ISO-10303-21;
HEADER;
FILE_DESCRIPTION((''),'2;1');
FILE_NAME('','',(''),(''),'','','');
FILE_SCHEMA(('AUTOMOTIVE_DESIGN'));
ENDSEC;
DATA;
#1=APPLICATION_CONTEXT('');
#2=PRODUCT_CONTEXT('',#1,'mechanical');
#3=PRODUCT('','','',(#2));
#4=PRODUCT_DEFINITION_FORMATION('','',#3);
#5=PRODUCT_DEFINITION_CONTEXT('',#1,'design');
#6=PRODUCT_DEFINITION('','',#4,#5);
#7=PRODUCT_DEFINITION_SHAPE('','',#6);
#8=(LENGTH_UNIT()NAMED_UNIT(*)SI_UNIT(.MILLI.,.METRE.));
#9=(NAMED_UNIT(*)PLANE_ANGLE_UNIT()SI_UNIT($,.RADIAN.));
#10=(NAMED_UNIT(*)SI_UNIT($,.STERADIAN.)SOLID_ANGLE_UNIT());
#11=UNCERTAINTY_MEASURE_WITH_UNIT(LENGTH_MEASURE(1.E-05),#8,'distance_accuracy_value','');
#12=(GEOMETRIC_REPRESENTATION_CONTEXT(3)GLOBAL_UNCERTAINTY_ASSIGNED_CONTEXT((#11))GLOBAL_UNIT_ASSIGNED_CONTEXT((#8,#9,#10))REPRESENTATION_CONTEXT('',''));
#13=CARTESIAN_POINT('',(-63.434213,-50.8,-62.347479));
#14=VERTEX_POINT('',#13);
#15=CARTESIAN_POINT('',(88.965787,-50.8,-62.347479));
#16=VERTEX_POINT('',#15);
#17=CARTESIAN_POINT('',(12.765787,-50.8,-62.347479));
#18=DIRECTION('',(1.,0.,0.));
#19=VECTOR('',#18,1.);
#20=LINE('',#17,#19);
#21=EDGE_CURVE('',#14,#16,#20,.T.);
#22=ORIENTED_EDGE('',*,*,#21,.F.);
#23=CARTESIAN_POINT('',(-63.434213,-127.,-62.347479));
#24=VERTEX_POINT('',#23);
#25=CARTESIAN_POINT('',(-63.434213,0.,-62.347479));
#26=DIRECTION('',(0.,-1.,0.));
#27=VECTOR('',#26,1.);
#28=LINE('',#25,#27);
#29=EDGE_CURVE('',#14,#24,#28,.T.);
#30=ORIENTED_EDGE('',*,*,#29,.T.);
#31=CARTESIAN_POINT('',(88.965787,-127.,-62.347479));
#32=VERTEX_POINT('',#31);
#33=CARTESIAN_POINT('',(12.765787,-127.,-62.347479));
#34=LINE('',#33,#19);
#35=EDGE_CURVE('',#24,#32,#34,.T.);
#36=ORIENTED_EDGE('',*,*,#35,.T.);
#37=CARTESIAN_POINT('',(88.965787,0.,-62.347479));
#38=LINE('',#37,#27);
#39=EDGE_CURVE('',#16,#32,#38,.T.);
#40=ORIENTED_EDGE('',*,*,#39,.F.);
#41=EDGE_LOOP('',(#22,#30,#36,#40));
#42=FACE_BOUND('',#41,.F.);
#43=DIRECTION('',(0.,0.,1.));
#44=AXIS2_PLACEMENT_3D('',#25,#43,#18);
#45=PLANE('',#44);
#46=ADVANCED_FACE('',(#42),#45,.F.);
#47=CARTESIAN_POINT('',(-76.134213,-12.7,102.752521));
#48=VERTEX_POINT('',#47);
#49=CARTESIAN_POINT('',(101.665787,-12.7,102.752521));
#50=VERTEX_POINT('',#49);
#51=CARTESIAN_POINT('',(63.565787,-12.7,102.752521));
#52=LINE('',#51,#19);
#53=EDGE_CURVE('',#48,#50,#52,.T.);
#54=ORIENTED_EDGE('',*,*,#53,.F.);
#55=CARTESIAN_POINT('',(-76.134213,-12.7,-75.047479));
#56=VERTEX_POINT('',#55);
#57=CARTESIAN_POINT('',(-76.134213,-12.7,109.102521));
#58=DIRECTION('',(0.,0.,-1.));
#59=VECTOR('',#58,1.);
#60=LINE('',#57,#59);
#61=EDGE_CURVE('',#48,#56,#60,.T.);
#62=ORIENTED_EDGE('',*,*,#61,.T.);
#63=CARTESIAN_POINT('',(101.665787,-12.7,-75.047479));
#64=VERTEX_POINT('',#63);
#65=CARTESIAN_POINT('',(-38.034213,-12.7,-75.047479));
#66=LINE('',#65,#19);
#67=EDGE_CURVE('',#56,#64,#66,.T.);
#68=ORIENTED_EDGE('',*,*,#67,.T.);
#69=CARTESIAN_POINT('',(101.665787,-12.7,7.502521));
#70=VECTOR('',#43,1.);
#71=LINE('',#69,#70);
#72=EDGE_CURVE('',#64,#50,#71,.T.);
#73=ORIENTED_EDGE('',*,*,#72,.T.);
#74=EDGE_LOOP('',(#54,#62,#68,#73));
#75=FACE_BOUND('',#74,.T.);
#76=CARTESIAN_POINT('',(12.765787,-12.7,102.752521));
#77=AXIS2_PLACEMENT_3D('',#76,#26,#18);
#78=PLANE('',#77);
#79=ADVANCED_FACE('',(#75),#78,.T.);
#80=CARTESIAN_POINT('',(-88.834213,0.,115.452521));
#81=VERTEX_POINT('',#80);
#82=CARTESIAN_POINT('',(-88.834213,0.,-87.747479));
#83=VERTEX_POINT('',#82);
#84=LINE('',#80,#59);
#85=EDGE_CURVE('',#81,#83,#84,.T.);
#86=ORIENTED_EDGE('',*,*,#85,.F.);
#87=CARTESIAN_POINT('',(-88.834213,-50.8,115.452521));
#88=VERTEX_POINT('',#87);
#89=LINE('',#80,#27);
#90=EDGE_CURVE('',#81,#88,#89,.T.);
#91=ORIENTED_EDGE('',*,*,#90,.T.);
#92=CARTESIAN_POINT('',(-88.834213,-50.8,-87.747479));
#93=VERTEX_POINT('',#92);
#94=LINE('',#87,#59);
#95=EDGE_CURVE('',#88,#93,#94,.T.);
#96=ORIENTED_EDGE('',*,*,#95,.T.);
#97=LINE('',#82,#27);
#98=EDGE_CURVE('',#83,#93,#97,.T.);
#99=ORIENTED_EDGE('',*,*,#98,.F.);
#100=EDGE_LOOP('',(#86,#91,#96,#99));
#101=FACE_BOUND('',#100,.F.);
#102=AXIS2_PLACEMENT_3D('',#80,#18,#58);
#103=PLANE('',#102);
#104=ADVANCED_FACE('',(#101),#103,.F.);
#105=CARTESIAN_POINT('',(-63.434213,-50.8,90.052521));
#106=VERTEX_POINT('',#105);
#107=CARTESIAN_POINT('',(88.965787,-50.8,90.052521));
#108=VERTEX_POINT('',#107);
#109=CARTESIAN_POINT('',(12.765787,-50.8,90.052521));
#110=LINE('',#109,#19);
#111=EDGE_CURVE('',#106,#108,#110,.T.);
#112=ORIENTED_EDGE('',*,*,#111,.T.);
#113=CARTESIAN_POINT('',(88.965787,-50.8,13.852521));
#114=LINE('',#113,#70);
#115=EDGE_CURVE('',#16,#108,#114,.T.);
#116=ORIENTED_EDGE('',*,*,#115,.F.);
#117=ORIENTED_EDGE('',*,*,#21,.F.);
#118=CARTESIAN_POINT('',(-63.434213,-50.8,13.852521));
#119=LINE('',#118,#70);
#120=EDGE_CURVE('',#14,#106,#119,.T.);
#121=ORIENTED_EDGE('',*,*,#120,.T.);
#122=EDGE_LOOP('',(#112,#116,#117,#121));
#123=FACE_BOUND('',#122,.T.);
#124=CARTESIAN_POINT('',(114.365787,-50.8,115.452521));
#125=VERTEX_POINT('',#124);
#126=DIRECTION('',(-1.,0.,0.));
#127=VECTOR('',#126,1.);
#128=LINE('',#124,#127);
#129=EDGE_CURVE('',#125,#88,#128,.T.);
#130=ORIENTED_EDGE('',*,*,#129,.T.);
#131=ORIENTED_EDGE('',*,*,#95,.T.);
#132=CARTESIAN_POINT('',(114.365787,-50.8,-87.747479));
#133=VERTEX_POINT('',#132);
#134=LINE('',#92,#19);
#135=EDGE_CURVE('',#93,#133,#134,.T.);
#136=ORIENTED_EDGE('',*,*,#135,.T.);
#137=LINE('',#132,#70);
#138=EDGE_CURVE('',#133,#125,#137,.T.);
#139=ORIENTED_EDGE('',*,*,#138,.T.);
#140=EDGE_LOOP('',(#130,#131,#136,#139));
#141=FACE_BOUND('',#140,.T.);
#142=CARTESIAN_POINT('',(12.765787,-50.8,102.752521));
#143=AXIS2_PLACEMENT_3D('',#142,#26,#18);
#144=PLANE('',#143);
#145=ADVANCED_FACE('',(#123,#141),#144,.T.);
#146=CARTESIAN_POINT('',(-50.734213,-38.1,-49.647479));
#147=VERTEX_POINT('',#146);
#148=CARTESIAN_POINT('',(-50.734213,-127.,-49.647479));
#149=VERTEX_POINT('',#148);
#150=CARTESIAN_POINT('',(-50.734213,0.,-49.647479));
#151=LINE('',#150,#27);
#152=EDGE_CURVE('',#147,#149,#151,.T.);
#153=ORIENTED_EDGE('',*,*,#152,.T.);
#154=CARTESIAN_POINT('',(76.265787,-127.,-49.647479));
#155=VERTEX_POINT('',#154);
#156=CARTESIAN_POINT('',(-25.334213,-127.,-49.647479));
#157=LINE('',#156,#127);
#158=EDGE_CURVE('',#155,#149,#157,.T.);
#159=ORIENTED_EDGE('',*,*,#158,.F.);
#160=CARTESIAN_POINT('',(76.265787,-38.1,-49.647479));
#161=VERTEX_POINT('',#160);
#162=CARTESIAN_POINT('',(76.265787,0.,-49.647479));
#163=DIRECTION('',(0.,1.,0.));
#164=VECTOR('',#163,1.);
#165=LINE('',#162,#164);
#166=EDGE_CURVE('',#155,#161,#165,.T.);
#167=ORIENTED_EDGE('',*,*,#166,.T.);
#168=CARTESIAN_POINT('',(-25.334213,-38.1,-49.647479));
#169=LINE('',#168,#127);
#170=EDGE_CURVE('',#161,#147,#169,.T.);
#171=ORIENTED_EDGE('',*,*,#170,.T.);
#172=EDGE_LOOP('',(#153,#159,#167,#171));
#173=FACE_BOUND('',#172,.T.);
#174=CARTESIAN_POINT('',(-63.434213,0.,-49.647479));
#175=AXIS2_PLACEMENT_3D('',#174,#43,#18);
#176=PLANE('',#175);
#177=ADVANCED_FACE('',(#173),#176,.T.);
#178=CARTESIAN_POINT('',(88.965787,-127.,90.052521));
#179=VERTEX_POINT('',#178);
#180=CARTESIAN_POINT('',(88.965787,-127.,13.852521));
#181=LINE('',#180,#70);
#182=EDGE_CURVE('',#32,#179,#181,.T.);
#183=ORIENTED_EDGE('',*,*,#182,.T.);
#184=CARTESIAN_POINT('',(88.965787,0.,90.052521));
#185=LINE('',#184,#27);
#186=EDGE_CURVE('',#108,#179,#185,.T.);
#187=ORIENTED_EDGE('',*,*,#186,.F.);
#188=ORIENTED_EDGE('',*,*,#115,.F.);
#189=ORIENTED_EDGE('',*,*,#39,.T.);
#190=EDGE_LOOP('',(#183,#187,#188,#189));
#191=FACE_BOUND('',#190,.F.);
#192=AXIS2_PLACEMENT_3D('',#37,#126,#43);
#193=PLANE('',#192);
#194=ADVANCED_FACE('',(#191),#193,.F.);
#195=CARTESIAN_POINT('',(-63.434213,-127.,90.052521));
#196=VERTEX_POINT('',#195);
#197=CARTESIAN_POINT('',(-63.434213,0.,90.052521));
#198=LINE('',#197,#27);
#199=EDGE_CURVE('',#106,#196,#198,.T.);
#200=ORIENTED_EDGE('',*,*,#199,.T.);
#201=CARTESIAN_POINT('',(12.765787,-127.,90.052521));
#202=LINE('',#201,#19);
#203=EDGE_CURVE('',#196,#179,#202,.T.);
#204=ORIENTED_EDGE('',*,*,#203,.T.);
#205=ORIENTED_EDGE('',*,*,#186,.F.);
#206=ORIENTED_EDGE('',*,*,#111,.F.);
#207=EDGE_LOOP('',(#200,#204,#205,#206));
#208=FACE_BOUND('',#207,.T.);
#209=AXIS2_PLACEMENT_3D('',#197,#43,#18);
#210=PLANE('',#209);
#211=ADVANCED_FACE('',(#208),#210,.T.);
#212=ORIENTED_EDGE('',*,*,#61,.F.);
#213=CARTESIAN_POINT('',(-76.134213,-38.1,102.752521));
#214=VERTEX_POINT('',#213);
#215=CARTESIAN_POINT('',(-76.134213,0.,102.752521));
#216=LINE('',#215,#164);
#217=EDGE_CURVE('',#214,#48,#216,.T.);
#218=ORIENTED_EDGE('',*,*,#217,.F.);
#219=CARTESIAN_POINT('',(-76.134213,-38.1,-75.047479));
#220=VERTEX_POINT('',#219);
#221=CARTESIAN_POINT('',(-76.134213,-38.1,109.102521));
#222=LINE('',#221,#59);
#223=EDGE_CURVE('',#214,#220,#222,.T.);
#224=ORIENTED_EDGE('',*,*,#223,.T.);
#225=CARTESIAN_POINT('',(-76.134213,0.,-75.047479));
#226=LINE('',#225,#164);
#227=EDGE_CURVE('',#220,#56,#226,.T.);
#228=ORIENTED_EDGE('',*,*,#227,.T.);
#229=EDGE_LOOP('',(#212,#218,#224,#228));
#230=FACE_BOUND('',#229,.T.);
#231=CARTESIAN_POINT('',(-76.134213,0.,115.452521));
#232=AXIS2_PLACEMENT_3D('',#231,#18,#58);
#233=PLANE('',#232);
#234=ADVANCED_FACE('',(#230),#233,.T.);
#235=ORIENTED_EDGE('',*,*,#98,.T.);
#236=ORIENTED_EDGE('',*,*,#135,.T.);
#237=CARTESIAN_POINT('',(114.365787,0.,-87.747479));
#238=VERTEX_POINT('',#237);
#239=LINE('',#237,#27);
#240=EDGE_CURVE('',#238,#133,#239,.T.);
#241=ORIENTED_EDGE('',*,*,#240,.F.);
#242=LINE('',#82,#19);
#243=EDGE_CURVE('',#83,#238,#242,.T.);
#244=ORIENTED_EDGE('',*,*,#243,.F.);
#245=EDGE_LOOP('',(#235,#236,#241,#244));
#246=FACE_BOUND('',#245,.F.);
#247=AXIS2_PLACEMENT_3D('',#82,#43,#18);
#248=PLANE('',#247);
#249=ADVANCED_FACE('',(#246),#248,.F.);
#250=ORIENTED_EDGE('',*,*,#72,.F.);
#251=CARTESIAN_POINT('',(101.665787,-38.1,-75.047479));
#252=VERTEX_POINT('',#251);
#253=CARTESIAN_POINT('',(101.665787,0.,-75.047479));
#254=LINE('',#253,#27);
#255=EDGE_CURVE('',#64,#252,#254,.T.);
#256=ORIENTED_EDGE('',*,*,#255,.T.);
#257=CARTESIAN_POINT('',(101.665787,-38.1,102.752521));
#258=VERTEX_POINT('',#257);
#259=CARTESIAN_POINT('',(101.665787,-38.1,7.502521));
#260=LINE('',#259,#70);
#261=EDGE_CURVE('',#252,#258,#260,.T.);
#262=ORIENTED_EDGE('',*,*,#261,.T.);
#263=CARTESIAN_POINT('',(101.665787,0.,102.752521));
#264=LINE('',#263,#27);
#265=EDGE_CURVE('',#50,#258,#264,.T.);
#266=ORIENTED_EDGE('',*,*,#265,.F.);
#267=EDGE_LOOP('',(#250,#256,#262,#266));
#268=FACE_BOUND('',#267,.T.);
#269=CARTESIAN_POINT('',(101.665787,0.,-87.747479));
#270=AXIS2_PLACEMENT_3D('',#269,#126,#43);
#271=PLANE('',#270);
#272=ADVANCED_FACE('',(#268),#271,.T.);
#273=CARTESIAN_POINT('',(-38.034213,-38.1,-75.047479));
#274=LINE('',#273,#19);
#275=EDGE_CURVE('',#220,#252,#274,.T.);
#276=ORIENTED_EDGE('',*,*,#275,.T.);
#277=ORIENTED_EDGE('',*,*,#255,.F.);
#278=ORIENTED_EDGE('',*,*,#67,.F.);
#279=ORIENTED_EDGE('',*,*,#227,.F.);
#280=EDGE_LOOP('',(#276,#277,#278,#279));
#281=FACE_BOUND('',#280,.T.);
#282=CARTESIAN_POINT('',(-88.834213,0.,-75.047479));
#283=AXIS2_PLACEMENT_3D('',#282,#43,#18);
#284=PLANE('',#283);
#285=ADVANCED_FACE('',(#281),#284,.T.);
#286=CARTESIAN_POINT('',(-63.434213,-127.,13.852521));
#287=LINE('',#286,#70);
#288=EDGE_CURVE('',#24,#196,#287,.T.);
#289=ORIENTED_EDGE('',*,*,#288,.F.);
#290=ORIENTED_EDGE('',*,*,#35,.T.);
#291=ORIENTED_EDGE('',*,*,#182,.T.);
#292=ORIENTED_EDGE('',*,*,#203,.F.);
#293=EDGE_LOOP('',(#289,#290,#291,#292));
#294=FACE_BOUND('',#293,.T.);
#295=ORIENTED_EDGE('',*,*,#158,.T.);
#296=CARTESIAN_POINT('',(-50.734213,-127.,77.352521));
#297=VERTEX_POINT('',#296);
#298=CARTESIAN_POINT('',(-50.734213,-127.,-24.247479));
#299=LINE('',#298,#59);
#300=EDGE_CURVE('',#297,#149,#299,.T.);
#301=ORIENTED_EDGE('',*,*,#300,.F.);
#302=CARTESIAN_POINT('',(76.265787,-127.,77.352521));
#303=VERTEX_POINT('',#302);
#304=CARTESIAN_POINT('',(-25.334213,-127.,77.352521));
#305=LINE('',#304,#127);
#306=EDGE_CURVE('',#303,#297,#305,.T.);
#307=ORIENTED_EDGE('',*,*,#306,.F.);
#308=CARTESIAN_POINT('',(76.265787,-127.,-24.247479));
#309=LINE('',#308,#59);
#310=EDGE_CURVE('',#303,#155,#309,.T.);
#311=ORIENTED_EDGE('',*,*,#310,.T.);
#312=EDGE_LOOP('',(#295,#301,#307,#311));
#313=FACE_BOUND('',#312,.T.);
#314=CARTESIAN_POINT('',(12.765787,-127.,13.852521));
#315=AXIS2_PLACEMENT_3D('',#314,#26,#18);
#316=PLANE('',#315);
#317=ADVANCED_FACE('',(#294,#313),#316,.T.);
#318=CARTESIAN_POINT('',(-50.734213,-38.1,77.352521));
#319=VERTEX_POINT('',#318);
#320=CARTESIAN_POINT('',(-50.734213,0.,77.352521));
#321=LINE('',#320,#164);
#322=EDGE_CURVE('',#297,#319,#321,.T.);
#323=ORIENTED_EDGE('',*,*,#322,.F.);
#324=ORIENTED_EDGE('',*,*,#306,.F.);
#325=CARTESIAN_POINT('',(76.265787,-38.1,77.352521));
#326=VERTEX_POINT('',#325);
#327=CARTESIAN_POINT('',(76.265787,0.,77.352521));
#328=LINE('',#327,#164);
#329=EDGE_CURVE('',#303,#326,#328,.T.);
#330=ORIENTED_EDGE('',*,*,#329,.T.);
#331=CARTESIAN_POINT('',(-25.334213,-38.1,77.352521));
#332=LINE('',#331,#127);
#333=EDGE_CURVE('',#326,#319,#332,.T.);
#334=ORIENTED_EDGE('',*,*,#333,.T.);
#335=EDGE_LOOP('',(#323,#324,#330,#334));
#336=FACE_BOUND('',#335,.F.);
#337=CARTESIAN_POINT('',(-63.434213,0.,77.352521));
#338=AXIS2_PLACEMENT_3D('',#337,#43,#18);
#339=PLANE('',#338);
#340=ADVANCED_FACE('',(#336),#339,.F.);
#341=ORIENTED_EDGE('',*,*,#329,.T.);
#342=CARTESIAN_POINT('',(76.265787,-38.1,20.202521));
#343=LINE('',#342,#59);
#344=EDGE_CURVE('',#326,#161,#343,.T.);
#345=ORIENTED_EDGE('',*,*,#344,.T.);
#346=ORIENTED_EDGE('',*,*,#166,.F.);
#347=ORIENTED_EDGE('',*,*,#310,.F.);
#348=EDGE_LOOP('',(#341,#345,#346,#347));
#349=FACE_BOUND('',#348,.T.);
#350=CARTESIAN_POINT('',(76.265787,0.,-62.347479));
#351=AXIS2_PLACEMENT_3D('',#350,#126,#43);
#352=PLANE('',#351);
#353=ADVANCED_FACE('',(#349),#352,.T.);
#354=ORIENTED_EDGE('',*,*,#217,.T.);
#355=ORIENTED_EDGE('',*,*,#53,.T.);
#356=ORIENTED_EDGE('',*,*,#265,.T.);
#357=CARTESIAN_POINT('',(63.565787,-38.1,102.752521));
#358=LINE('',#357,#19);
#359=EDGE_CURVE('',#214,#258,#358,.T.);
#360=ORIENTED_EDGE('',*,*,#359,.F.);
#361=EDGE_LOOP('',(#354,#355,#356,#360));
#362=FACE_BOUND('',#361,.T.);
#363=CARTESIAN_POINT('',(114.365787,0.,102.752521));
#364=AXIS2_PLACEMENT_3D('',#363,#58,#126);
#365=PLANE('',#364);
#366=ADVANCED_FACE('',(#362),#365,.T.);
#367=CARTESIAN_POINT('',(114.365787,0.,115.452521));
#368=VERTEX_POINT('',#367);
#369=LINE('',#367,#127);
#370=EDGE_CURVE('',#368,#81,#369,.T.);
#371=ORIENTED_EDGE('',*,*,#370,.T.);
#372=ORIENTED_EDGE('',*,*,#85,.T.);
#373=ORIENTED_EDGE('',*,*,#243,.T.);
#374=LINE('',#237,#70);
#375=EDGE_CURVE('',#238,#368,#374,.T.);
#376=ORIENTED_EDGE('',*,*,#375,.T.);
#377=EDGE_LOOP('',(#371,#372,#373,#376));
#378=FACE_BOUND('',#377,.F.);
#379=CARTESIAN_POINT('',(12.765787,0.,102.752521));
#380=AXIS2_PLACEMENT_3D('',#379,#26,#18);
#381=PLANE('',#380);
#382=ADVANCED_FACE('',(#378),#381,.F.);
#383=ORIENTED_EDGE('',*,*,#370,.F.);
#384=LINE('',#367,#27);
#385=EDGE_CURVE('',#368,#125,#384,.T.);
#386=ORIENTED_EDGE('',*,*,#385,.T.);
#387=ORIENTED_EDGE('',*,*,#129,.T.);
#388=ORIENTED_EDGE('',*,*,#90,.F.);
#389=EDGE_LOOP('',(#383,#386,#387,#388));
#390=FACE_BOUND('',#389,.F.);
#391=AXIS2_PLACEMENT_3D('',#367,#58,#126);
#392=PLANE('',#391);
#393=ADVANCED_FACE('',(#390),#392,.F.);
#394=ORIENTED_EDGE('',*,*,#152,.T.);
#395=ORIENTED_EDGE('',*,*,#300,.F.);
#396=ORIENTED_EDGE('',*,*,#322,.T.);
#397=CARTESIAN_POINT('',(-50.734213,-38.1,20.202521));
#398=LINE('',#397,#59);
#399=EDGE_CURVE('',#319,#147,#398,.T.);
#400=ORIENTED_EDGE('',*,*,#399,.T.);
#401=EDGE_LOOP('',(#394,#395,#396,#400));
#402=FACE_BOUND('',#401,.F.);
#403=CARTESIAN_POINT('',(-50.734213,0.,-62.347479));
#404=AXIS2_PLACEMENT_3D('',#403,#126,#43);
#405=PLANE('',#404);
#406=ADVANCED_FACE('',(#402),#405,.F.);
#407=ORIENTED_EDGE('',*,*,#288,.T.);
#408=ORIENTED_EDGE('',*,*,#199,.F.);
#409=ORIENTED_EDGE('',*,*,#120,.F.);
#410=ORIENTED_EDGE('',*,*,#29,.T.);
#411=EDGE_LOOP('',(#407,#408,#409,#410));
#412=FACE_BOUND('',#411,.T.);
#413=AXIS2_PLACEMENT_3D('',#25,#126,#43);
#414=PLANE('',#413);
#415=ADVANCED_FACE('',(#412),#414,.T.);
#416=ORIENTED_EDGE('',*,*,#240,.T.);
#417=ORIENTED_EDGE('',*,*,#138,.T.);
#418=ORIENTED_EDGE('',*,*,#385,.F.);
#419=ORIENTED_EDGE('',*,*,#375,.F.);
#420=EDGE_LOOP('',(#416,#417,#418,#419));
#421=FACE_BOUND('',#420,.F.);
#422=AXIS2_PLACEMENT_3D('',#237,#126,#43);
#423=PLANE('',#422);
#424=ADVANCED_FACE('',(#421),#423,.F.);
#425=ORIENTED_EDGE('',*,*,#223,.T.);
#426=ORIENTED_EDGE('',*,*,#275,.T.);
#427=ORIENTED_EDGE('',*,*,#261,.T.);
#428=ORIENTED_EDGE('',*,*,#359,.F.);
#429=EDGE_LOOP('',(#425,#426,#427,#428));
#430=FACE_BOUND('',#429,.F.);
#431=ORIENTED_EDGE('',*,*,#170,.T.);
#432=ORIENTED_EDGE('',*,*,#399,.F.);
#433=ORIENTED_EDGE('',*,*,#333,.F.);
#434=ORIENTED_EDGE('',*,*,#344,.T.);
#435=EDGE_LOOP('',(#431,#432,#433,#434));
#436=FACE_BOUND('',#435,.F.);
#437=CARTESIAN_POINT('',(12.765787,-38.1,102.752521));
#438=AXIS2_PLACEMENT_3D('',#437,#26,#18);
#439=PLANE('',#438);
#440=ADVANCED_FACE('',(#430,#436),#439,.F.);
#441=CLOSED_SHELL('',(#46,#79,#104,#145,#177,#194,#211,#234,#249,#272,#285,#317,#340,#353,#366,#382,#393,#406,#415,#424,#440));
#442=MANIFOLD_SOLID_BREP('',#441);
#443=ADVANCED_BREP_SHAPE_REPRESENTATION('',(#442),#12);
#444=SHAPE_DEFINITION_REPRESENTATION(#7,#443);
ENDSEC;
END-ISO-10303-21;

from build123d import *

# Parameters (mm, degrees)
F0_W     = 152.4
F0_H     = 152.4
F1_DEPTH = 127
F0_H_2   = 25.4
F0_W_2   = 25.4
F2_DEPTH = 50.8
F3_T     = -12.7


with BuildPart() as f1:
    # F0 (on Front) → F1 (new body)
    with BuildSketch(Plane.XZ):
        with Locations((12.7657866001, 13.8525208354)):
            Rectangle(F0_W, F0_H)
    extrude(amount=F1_DEPTH)

    # F0 (on Front) → F2 (join)
    with BuildSketch(Plane.XZ):
        with Locations((12.7657866001, 102.7525208354)):
            Rectangle(F0_W, F0_H_2)
        with Locations((-76.1342133999, 13.8525208354)):
            Rectangle(F0_W_2, F0_H)
        with Locations((-76.1342133999, 102.7525208354)):
            Rectangle(F0_W_2, F0_H_2)
        with Locations((12.7657866001, -75.0474791646)):
            Rectangle(F0_W, F0_H_2)
        with Locations((-76.1342133999, -75.0474791646)):
            Rectangle(F0_W_2, F0_H_2)
        with Locations((101.6657866001, 13.8525208354)):
            Rectangle(F0_W_2, F0_H)
        with Locations((101.6657866001, 102.7525208354)):
            Rectangle(F0_W_2, F0_H_2)
        with Locations((101.6657866001, -75.0474791646)):
            Rectangle(F0_W_2, F0_H_2)
    extrude(amount=F2_DEPTH)

    # F3
    f3_openings = [f1.faces().sort_by_distance(p)[0] for p in [
        (12.765787, -127, 13.852521),
    ]]
    offset(amount=F3_T, openings=f3_openings, kind=Kind.INTERSECTION)


solid = f1.part
